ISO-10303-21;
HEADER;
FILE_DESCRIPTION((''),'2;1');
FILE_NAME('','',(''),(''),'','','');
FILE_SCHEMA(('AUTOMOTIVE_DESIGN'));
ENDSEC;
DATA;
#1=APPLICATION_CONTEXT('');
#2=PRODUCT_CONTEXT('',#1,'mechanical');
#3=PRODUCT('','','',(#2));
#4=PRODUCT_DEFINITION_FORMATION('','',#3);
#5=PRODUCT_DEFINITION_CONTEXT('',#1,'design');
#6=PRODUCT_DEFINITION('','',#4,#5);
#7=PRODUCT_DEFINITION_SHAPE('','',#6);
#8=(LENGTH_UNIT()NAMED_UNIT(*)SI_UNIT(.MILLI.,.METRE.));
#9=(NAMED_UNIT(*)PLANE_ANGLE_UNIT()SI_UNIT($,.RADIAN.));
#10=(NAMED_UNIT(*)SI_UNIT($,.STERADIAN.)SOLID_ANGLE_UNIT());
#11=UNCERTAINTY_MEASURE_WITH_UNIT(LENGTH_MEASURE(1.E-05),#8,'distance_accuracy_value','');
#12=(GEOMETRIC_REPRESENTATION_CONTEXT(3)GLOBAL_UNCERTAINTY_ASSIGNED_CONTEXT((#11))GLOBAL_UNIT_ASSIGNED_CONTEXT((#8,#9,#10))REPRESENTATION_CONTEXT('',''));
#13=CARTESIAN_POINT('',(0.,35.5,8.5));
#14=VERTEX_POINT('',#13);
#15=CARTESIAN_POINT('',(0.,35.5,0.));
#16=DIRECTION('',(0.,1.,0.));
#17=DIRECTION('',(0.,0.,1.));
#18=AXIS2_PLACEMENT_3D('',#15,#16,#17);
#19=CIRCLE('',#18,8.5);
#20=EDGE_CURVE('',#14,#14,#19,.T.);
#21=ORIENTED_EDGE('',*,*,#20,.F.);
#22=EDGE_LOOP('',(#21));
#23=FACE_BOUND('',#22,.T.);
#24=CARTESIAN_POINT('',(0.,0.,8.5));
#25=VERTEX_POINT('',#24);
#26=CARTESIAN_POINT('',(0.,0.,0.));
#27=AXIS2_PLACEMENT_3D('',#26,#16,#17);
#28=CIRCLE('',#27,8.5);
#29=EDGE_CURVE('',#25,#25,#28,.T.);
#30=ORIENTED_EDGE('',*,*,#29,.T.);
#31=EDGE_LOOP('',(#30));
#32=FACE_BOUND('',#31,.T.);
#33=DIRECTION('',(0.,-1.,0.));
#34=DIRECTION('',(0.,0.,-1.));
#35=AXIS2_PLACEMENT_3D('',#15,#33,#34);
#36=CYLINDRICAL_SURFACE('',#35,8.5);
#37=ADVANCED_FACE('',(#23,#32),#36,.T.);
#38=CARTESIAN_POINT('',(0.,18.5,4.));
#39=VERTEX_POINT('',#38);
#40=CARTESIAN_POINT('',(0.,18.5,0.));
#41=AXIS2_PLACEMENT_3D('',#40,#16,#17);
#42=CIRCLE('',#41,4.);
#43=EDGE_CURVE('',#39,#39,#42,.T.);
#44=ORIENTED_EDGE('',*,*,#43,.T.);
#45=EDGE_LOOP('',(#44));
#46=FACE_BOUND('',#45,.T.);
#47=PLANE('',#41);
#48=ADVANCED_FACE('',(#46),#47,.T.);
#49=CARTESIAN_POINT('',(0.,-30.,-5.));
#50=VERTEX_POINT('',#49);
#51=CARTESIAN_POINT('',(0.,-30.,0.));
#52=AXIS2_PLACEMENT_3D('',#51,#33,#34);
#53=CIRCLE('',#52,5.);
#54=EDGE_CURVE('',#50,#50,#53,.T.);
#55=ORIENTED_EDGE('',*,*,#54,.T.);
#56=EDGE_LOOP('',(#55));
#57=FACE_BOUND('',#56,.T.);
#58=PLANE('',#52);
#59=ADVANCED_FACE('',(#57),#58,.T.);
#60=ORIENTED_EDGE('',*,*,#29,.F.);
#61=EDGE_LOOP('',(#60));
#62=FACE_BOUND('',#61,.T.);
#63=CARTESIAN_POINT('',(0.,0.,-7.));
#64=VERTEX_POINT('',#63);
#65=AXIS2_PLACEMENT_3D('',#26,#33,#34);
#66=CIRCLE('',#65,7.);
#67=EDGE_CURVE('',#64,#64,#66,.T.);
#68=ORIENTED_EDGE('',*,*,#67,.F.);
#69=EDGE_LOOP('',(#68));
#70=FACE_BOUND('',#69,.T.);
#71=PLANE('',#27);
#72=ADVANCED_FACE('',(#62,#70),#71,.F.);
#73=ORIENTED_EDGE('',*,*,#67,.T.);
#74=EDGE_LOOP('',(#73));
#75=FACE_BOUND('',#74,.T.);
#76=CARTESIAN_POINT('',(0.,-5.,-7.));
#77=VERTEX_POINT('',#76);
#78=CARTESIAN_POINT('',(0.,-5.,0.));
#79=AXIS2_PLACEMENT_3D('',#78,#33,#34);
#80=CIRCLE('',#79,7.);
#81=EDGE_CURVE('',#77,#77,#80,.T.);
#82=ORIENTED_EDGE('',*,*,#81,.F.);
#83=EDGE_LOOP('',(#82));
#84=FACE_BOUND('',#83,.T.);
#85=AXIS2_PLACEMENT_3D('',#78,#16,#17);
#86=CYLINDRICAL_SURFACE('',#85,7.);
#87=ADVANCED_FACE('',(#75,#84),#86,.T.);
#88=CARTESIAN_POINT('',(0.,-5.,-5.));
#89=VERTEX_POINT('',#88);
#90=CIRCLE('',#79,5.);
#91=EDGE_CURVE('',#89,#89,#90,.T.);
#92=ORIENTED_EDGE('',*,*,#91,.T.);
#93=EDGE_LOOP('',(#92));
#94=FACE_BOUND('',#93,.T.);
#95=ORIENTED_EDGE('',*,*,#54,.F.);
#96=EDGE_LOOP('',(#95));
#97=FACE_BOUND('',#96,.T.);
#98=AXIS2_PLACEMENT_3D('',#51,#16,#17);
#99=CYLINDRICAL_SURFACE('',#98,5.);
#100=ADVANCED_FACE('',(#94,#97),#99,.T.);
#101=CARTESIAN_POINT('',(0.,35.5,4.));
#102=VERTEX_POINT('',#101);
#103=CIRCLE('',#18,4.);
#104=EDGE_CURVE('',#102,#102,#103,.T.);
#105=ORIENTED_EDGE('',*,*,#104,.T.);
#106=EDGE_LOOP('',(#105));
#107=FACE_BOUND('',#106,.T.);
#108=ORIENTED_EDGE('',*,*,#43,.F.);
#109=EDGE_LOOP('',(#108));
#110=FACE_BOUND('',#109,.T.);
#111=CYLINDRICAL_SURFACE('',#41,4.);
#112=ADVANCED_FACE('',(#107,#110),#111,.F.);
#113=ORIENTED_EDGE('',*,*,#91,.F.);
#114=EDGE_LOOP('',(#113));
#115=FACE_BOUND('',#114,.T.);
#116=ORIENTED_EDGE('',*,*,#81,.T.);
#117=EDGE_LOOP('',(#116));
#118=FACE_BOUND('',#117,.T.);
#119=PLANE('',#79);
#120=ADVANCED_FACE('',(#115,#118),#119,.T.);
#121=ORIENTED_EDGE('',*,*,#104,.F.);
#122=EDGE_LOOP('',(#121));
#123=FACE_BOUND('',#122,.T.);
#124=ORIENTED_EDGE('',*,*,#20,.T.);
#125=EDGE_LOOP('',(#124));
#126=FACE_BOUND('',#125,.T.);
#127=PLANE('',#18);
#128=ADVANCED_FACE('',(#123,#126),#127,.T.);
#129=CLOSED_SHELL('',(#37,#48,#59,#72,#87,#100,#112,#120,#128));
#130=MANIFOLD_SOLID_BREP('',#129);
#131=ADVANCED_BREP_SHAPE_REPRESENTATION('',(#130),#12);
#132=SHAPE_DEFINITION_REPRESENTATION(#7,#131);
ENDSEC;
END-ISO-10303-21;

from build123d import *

# Parameters (mm, degrees)
SKETCH1_R           = 8.5
BOSS_EXTRUDE1_DEPTH = 35.5
SKETCH3_R           = 7
BOSS_EXTRUDE2_DEPTH = 5
SKETCH5_R           = 5
BOSS_EXTRUDE3_DEPTH = 25
SKETCH2_R           = 4
CUT_EXTRUDE1_DEPTH  = 17


with BuildPart() as part:
    # Sketch1 → Boss-Extrude1 (new body)
    with BuildSketch(Plane(origin=(0, 0, 0), x_dir=(1, 0, 0), z_dir=(0, 1, 0))):
        Circle(SKETCH1_R)
    extrude(amount=BOSS_EXTRUDE1_DEPTH)

    # Sketch3 → Boss-Extrude2 (add)
    with BuildSketch(Plane(origin=(0, 0, 0), x_dir=(-1, 0, 0), z_dir=(0, -1, 0))):
        Circle(SKETCH3_R)
    extrude(amount=BOSS_EXTRUDE2_DEPTH)

    # Sketch5 → Boss-Extrude3 (add)
    with BuildSketch(Plane(origin=(0, -5, 0), x_dir=(-1, 0, 0), z_dir=(0, -1, 0))):
        Circle(SKETCH5_R)
    extrude(amount=BOSS_EXTRUDE3_DEPTH)

    # Sketch2 → Cut-Extrude1 (cut)
    with BuildSketch(Plane(origin=(0, 35.5, 0), x_dir=(1, 0, 0), z_dir=(0, 1, 0))):
        Circle(SKETCH2_R)
    extrude(amount=-CUT_EXTRUDE1_DEPTH, mode=Mode.SUBTRACT)


solid = part.part
